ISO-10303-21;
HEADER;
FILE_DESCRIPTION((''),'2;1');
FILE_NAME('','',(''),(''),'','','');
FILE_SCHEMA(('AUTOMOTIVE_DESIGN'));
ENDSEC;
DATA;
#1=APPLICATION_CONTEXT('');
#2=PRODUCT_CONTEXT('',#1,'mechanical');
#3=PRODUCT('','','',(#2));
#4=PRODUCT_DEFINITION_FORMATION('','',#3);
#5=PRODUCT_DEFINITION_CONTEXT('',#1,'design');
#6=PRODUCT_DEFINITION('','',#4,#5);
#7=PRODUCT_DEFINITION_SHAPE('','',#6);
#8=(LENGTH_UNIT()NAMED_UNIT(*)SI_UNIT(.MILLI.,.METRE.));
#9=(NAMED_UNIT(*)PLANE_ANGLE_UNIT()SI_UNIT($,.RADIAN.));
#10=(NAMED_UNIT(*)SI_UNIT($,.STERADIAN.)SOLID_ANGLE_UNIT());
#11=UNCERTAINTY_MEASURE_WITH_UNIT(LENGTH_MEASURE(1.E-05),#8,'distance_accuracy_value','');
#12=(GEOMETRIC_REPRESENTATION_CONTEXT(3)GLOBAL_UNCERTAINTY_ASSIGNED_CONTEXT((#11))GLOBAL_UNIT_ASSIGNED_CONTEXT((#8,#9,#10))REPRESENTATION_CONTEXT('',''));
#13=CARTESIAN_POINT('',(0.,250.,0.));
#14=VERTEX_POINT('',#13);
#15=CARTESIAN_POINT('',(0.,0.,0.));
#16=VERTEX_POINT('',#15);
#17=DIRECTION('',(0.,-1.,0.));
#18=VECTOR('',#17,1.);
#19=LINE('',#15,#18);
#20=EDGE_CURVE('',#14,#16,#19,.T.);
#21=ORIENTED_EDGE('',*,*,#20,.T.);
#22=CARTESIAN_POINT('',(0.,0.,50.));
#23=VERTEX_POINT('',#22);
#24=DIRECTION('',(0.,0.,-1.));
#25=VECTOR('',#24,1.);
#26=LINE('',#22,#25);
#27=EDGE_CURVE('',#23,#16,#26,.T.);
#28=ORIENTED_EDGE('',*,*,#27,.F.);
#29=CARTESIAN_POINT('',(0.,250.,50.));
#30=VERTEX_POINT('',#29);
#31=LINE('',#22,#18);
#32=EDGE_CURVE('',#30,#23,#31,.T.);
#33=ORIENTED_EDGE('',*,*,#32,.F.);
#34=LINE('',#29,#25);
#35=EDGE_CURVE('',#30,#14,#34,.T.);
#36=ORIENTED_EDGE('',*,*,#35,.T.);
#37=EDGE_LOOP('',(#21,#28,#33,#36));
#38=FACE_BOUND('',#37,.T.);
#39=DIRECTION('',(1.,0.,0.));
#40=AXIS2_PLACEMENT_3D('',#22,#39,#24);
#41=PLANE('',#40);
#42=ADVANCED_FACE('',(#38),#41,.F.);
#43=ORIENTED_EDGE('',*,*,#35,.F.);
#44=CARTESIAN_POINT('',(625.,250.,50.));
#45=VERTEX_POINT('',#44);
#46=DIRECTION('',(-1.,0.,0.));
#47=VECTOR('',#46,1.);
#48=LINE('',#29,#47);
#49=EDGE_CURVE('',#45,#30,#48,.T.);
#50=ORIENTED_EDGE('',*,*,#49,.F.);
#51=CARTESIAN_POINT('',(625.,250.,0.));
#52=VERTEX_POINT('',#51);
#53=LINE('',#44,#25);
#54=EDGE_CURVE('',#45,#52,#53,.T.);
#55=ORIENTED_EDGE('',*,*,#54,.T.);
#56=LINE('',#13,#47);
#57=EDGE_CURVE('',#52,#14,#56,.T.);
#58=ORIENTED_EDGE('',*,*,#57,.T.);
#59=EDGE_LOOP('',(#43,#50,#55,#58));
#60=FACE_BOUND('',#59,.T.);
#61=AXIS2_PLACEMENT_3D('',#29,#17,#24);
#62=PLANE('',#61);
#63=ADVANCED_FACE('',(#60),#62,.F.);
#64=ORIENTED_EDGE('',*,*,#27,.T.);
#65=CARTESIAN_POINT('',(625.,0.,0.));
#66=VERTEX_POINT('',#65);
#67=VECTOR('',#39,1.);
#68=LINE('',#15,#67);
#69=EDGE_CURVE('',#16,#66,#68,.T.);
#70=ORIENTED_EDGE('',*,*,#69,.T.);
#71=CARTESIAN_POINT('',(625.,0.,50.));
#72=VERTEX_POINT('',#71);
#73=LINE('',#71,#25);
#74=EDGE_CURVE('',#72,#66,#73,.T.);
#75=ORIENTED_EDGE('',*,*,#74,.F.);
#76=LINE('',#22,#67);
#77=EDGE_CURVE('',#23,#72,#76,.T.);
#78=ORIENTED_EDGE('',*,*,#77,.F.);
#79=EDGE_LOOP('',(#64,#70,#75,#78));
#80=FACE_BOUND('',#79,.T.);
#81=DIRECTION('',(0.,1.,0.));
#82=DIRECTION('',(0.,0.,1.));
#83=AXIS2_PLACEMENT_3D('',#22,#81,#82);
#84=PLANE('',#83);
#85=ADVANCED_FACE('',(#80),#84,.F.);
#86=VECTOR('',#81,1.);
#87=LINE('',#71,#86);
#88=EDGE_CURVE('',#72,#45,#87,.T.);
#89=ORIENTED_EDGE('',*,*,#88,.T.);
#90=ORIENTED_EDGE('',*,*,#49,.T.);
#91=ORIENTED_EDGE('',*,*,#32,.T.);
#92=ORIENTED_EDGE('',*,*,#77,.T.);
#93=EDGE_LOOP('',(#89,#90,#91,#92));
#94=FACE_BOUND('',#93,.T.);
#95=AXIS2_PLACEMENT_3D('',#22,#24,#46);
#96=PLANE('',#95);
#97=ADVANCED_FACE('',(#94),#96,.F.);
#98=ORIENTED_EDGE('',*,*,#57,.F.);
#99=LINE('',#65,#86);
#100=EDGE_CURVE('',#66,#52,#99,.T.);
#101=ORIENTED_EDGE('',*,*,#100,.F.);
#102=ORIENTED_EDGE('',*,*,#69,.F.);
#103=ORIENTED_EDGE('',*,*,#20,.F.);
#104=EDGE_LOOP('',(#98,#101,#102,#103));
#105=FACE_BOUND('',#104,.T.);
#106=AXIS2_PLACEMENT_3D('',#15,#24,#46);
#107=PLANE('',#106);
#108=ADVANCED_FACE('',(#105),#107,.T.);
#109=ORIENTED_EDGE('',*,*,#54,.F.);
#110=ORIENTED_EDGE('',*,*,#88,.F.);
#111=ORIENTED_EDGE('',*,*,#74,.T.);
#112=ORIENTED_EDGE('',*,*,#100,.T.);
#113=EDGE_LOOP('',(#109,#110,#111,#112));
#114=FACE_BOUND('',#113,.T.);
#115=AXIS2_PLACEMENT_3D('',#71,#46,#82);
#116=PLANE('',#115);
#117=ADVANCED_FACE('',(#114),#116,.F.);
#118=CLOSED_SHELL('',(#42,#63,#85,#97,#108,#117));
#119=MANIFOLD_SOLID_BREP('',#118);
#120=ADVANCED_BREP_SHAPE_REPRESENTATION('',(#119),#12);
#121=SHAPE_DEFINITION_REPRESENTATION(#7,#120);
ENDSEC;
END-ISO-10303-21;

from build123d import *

# Parameters (mm, degrees)
SKETCH_1_W      = 625
SKETCH_1_H      = 250
EXTRUDE_1_DEPTH = 50


with BuildPart() as part:
    # Эскиз1 → Бобышка-Вытянуть1 (new body)
    with BuildSketch(Plane.XY):
        with Locations((312.5, 125)):
            Rectangle(SKETCH_1_W, SKETCH_1_H)
    extrude(amount=EXTRUDE_1_DEPTH)


solid = part.part
